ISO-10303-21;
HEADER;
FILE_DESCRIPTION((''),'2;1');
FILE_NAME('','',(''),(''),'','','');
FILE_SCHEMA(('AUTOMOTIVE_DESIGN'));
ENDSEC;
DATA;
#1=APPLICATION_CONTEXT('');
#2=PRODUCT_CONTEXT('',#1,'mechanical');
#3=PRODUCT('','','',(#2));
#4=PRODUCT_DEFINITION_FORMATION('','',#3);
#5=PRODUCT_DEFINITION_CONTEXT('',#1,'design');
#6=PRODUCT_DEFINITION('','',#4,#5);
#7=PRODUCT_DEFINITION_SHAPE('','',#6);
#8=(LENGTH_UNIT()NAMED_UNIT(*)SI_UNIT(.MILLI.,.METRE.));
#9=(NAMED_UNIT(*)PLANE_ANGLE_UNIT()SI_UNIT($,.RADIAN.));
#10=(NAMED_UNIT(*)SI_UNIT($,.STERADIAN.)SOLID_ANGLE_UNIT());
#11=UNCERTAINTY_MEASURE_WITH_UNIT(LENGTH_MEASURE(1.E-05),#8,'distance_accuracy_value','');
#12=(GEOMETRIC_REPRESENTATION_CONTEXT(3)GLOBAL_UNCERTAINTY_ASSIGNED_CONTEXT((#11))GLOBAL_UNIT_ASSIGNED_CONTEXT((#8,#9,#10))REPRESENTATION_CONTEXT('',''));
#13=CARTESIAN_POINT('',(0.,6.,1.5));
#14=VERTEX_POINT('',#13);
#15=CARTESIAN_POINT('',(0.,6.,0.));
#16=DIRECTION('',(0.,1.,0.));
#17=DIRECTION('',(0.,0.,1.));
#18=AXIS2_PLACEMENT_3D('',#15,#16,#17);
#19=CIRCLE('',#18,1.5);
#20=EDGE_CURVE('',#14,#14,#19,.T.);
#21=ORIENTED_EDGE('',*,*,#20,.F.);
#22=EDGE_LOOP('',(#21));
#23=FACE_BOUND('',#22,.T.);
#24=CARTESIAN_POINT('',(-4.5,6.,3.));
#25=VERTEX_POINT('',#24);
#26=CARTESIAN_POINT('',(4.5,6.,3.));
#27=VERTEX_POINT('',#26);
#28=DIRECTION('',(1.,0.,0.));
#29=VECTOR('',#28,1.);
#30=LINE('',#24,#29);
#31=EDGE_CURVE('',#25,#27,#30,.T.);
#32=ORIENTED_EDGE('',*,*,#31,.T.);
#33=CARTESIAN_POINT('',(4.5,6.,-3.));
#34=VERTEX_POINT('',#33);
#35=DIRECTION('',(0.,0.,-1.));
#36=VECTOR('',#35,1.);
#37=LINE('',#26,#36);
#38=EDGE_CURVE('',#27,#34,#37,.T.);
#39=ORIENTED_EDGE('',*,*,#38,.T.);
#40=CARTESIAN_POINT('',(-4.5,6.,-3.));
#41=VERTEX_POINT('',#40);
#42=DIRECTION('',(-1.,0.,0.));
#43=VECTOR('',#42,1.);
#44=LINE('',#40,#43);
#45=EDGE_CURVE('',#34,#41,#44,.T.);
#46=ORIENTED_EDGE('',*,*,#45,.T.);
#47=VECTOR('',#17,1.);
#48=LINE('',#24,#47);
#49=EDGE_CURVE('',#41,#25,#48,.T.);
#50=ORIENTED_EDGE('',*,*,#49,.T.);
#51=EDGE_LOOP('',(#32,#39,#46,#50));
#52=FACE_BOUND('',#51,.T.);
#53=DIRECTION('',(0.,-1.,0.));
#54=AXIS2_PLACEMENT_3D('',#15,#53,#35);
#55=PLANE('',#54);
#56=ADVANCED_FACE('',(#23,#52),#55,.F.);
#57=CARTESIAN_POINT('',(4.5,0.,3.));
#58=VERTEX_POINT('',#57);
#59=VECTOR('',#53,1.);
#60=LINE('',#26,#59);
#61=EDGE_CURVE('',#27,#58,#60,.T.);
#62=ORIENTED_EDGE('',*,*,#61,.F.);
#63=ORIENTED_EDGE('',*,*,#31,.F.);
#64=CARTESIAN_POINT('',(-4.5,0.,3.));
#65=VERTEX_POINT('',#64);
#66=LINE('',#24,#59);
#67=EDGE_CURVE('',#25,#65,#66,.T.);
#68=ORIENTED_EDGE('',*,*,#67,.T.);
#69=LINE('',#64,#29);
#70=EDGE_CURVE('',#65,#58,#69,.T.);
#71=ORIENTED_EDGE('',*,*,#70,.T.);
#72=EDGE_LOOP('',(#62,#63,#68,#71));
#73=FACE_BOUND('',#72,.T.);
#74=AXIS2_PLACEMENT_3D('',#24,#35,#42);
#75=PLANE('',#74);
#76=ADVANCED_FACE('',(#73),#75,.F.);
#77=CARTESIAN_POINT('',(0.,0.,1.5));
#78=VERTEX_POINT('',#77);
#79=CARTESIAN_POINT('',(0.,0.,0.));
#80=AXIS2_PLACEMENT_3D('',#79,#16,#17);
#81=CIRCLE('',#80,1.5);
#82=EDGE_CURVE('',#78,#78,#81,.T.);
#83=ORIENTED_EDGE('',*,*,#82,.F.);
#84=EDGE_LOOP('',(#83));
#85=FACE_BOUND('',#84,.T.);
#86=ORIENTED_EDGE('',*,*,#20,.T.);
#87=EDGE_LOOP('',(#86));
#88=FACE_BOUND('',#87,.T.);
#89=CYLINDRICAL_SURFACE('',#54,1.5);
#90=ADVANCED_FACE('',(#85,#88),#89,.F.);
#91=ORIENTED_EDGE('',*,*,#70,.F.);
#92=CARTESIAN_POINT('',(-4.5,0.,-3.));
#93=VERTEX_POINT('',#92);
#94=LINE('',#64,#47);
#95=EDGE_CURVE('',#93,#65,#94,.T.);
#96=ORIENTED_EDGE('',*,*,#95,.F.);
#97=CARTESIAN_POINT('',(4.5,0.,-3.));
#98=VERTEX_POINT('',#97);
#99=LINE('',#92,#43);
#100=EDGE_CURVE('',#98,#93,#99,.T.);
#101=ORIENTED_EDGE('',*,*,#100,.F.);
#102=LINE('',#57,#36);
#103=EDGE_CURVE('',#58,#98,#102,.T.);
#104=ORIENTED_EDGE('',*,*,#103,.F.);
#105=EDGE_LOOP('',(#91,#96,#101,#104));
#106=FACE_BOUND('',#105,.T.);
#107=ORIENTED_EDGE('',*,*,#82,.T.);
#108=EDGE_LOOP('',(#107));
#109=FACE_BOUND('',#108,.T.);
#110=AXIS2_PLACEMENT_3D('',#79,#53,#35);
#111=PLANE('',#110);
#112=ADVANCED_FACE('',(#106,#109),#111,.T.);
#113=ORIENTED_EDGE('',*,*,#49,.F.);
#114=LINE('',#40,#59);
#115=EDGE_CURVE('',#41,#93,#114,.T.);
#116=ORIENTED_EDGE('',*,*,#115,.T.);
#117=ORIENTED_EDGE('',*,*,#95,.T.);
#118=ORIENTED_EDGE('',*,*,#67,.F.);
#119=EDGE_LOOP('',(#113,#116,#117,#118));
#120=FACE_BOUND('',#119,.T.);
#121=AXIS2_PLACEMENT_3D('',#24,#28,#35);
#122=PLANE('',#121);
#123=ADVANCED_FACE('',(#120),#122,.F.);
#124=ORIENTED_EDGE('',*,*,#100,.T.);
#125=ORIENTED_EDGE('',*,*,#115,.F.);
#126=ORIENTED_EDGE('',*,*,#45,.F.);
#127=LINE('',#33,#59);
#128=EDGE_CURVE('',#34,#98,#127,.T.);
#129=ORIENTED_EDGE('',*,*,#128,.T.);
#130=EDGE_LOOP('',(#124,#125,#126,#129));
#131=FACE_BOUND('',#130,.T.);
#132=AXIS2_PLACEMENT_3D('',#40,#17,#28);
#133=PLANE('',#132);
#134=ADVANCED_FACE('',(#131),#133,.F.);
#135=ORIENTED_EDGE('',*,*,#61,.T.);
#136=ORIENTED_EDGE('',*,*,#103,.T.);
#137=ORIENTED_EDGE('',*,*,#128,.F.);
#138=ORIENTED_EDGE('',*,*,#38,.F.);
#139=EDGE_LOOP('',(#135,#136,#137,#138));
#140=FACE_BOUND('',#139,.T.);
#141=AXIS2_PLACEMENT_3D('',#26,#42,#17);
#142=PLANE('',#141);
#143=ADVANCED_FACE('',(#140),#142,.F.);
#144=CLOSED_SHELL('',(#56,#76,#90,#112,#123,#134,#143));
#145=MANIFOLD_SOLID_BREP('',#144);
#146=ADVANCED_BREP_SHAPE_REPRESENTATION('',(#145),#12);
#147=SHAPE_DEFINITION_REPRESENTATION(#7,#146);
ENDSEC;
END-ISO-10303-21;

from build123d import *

# Parameters (mm, degrees)
ESQUISSE1_W        = 9
ESQUISSE1_H        = 6
ESQUISSE1_R        = 1.5
BOSS_EXTRU_1_DEPTH = 6


with BuildPart() as part:
    # Esquisse1 → Boss.-Extru.1 (new body)
    with BuildSketch(Plane(origin=(0, 0, 0), x_dir=(1, 0, 0), z_dir=(0, 1, 0))):
        Rectangle(ESQUISSE1_W, ESQUISSE1_H)
        with Locations(Location((0, 0, 0), (0, 0, 270))):
            Circle(ESQUISSE1_R, mode=Mode.SUBTRACT)
    extrude(amount=BOSS_EXTRU_1_DEPTH)


solid = part.part
